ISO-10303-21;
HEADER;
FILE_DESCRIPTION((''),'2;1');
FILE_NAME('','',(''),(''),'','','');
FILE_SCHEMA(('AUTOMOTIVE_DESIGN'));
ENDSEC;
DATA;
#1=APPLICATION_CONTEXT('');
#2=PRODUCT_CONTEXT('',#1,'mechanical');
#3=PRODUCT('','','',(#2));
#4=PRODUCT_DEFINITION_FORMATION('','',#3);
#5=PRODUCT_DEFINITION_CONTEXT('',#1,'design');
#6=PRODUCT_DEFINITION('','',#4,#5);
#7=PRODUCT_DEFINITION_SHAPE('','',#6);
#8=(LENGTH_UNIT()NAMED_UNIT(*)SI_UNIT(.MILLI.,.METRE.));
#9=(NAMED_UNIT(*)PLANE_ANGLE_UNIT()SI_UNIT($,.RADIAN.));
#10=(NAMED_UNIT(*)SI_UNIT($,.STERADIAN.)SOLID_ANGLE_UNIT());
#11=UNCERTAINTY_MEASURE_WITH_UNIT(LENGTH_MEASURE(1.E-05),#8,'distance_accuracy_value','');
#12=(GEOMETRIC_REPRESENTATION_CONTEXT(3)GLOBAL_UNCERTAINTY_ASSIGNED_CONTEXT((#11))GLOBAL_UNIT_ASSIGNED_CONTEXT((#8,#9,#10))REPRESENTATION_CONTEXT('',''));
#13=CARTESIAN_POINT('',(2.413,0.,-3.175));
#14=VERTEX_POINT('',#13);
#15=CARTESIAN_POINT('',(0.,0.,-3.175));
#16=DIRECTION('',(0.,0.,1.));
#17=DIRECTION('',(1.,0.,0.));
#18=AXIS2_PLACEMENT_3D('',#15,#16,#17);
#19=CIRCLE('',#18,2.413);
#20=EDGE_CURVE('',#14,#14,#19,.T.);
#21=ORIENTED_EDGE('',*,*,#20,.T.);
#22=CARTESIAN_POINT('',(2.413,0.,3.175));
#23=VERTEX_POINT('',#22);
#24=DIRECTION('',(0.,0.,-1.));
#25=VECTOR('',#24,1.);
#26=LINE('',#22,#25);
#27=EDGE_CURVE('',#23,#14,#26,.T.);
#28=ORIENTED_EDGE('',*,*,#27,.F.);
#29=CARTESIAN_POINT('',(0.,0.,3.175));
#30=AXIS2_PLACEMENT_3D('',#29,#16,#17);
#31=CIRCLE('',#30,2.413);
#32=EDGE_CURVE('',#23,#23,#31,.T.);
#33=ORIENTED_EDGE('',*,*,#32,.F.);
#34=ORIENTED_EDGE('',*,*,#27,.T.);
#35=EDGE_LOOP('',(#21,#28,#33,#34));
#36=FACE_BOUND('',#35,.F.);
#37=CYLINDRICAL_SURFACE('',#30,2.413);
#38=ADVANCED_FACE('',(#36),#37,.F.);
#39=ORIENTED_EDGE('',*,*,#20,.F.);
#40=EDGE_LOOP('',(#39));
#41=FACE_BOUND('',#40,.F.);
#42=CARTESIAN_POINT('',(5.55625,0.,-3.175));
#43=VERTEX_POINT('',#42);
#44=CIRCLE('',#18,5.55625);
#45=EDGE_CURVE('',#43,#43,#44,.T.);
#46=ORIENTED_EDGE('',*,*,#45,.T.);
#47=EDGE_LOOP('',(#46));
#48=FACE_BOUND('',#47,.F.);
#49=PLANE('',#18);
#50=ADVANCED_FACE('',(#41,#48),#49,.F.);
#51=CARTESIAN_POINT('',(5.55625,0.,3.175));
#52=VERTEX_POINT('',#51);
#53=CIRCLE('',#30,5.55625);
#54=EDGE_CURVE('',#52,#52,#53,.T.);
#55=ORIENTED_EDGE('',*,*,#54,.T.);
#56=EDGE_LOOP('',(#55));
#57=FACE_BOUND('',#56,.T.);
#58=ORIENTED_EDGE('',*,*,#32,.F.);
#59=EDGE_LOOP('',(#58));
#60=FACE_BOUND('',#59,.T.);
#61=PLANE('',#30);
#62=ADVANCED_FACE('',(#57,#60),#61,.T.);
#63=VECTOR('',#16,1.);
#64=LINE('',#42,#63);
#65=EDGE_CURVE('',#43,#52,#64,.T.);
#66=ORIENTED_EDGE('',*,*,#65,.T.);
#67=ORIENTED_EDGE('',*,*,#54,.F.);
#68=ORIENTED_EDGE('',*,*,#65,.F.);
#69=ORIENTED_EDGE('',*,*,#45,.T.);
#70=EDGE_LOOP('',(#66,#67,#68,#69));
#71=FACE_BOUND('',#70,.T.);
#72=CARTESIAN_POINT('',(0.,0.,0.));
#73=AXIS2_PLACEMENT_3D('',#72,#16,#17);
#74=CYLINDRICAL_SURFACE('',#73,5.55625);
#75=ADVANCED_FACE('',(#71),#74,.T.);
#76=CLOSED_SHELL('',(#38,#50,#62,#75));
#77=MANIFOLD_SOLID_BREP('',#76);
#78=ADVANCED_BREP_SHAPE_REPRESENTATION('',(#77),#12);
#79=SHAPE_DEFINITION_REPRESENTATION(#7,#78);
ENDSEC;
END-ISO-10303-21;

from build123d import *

# Parameters (mm, degrees)
SKETCH1_R           = 5.55625
BOSS_EXTRUDE1_DEPTH = 3.175
SKETCH2_R           = 2.413
CUT_EXTRUDE1_DEPTH  = 7.35


with BuildPart() as part:
    # Sketch1 → Boss-Extrude1 (new body, symmetric)
    with BuildSketch(Plane.XY):
        Circle(SKETCH1_R)
    extrude(amount=BOSS_EXTRUDE1_DEPTH, both=True)

    # Sketch2 → Cut-Extrude1 (cut, through all)
    with BuildSketch(Plane.XY.offset(3.175)):
        Circle(SKETCH2_R)
    extrude(amount=-CUT_EXTRUDE1_DEPTH, mode=Mode.SUBTRACT)


solid = part.part
